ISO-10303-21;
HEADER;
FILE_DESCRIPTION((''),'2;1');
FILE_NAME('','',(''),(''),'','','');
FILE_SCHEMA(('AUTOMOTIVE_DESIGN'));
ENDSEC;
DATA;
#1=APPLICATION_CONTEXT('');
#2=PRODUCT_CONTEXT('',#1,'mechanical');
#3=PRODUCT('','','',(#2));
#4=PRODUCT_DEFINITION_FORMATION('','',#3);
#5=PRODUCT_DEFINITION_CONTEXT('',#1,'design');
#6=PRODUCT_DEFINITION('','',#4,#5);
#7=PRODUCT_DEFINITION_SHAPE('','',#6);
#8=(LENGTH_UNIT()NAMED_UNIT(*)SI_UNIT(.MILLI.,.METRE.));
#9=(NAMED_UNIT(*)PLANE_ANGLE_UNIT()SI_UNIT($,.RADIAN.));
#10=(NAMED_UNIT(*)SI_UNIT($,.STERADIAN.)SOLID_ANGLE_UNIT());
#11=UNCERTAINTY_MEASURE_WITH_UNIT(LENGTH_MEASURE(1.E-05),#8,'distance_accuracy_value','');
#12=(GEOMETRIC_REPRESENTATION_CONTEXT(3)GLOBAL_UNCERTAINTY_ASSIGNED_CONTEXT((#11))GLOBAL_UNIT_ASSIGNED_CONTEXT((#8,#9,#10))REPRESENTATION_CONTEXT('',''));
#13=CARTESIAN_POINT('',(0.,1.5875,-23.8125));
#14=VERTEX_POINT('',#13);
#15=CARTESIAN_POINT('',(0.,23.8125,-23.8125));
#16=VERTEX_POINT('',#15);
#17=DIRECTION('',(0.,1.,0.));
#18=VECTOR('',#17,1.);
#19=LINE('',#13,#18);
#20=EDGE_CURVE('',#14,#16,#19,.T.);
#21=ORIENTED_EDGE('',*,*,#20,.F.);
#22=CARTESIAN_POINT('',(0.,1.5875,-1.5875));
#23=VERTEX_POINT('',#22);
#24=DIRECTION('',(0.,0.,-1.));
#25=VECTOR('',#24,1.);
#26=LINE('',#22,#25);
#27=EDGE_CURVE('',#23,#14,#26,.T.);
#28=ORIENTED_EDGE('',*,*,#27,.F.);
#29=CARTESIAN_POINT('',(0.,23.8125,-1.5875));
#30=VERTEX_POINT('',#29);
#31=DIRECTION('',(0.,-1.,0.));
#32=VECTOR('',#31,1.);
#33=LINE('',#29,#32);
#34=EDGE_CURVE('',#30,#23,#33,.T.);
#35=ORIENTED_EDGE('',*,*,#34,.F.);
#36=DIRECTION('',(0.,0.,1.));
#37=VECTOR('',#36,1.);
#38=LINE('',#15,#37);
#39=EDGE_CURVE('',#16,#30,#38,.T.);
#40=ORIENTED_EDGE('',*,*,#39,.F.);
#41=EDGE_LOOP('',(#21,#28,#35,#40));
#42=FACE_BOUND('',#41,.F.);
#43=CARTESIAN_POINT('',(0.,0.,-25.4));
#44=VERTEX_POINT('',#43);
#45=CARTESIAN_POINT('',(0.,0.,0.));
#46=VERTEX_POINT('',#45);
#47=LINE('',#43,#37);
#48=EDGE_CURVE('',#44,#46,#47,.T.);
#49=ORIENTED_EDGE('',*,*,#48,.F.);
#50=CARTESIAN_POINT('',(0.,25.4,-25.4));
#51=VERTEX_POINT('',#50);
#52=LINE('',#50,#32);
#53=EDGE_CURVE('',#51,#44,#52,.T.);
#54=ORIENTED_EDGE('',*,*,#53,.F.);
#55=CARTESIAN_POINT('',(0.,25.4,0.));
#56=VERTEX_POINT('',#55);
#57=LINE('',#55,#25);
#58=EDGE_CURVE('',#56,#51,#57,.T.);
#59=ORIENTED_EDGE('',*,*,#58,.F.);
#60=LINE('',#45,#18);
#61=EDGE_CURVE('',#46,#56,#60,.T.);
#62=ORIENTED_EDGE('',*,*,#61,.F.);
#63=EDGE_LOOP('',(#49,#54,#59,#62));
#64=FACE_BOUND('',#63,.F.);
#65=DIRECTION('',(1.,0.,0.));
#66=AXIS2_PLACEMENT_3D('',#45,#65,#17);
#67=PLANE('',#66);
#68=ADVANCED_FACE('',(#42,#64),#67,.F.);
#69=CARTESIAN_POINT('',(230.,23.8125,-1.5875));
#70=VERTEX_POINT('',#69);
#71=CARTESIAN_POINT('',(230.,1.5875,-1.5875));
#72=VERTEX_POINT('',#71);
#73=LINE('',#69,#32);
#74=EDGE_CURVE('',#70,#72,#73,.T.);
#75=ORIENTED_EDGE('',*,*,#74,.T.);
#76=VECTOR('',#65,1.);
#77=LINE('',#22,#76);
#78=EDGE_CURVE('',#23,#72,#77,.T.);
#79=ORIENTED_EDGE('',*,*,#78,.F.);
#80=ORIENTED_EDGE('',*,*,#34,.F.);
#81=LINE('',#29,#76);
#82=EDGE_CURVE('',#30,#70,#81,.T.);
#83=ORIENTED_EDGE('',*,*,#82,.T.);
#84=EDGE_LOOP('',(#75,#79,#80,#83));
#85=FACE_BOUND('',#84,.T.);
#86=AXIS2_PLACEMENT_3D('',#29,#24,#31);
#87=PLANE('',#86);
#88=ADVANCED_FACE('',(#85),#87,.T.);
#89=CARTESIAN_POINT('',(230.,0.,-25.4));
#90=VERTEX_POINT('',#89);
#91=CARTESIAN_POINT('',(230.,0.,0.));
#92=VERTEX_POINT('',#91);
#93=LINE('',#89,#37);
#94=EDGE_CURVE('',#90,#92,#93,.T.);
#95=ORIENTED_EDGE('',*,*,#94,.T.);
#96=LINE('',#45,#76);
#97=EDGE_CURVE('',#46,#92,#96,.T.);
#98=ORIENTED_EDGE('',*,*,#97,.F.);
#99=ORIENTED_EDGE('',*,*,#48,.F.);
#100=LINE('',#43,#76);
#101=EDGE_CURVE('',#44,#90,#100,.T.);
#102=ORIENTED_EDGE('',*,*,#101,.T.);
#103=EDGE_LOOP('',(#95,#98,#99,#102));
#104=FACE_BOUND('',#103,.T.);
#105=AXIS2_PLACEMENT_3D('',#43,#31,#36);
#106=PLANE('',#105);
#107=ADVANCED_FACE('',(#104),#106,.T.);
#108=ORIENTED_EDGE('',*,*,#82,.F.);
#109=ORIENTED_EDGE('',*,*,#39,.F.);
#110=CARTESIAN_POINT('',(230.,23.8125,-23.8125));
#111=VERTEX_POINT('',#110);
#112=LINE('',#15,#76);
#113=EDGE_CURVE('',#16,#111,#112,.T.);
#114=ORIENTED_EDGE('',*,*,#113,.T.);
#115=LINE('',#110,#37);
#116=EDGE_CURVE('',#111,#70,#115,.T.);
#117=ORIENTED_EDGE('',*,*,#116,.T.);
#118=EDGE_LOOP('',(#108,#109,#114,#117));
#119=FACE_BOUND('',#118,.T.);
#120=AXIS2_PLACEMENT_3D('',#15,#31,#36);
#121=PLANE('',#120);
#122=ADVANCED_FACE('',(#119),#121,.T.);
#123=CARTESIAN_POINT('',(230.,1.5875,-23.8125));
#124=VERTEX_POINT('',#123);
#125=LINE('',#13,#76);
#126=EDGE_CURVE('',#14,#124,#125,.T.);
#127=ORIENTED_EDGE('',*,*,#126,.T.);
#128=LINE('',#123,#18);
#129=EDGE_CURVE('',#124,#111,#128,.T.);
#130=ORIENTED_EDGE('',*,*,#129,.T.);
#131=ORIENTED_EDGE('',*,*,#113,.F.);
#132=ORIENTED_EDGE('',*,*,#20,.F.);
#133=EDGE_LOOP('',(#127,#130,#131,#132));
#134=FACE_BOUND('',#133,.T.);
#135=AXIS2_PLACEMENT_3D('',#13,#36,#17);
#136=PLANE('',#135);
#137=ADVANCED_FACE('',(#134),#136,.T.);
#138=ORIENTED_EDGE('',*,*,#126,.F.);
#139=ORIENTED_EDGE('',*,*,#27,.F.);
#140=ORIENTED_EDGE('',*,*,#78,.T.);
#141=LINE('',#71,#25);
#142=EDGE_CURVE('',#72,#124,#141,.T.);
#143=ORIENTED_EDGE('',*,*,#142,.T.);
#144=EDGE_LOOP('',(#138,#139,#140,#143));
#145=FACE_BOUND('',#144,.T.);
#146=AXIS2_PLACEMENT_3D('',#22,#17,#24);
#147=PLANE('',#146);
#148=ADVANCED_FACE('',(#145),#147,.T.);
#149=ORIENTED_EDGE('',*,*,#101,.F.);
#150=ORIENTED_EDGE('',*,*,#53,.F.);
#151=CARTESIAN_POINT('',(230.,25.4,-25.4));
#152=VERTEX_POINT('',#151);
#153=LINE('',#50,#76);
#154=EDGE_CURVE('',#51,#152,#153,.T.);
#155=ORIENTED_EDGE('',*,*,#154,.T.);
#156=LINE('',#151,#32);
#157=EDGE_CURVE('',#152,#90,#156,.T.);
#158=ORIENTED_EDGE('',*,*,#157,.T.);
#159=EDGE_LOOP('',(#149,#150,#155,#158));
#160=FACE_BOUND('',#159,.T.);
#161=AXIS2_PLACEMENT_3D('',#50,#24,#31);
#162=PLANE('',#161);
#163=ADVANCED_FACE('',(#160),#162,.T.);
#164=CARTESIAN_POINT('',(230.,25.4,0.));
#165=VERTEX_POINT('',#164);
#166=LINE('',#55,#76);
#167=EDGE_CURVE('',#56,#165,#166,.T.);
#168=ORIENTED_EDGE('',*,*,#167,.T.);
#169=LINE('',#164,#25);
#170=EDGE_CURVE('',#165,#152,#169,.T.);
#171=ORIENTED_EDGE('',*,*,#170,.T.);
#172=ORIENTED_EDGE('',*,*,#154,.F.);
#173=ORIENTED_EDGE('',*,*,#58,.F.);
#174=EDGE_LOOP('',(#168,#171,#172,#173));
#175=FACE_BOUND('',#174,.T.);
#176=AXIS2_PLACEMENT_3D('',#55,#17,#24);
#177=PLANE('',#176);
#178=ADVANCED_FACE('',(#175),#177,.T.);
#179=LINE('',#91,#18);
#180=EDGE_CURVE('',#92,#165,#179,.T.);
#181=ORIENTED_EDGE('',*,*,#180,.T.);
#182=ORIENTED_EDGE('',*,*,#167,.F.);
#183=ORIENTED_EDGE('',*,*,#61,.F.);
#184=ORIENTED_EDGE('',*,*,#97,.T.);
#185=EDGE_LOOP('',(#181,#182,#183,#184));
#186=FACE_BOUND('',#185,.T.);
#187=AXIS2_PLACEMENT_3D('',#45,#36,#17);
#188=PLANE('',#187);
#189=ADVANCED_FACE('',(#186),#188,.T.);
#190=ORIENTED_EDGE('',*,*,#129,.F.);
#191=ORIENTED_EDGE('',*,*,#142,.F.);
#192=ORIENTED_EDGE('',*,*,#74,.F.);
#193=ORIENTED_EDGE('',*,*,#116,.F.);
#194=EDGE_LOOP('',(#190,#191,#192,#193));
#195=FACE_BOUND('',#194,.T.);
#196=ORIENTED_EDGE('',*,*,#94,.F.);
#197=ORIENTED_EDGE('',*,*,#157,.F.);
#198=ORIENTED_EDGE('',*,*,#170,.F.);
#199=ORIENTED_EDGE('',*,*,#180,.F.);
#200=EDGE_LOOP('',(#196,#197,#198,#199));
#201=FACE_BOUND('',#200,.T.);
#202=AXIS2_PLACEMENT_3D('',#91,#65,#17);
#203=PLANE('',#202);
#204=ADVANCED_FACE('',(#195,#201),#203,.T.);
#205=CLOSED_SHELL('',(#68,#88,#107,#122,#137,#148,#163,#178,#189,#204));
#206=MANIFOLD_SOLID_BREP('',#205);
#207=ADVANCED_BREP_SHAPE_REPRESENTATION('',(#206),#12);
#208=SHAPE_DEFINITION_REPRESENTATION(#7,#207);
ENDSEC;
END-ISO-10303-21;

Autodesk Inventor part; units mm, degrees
ref_plane "YZ Plane" through (0, 0, 0) normal (1, 0, 0) x (0, 1, 0)
ref_plane "XZ Plane" through (0, 0, 0) normal (0, 1, 0) x (-1, 0, 0)
ref_plane "XY Plane" through (0, 0, 0) normal (0, 0, 1) x (1, 0, 0)
sketch "Sketch1" plane through (0, 0, 0) normal (1, 0, 0) x (0, 1, 0)
  line L0 (0, 0) -> (25.4, 0)
  line L1 (25.4, 0) -> (25.4, -25.4)
  line L2 (25.4, -25.4) -> (0, -25.4)
  line L3 (0, -25.4) -> (0, 0)
  line L4 (23.8125, -23.8125) -> (23.8125, -1.5875)
  line L5 (23.8125, -1.5875) -> (1.5875, -1.5875)
  line L6 (1.5875, -1.5875) -> (1.5875, -23.8125)
  line L7 (1.5875, -23.8125) -> (23.8125, -23.8125)
  dimension "d0" = 25.4
  dimension "d1" = 25.4
  dimension "d2" = 1.5875
extrude "Extrusion1" add sketch "Sketch1" along normal blind 230
sketch "Sketch2" plane through (0, 25.4, 0) normal (0, 1, 0) x (1, 0, 0)
  point P0 (0, 0)
properties part number "HOrizontal_Beam_Short"
